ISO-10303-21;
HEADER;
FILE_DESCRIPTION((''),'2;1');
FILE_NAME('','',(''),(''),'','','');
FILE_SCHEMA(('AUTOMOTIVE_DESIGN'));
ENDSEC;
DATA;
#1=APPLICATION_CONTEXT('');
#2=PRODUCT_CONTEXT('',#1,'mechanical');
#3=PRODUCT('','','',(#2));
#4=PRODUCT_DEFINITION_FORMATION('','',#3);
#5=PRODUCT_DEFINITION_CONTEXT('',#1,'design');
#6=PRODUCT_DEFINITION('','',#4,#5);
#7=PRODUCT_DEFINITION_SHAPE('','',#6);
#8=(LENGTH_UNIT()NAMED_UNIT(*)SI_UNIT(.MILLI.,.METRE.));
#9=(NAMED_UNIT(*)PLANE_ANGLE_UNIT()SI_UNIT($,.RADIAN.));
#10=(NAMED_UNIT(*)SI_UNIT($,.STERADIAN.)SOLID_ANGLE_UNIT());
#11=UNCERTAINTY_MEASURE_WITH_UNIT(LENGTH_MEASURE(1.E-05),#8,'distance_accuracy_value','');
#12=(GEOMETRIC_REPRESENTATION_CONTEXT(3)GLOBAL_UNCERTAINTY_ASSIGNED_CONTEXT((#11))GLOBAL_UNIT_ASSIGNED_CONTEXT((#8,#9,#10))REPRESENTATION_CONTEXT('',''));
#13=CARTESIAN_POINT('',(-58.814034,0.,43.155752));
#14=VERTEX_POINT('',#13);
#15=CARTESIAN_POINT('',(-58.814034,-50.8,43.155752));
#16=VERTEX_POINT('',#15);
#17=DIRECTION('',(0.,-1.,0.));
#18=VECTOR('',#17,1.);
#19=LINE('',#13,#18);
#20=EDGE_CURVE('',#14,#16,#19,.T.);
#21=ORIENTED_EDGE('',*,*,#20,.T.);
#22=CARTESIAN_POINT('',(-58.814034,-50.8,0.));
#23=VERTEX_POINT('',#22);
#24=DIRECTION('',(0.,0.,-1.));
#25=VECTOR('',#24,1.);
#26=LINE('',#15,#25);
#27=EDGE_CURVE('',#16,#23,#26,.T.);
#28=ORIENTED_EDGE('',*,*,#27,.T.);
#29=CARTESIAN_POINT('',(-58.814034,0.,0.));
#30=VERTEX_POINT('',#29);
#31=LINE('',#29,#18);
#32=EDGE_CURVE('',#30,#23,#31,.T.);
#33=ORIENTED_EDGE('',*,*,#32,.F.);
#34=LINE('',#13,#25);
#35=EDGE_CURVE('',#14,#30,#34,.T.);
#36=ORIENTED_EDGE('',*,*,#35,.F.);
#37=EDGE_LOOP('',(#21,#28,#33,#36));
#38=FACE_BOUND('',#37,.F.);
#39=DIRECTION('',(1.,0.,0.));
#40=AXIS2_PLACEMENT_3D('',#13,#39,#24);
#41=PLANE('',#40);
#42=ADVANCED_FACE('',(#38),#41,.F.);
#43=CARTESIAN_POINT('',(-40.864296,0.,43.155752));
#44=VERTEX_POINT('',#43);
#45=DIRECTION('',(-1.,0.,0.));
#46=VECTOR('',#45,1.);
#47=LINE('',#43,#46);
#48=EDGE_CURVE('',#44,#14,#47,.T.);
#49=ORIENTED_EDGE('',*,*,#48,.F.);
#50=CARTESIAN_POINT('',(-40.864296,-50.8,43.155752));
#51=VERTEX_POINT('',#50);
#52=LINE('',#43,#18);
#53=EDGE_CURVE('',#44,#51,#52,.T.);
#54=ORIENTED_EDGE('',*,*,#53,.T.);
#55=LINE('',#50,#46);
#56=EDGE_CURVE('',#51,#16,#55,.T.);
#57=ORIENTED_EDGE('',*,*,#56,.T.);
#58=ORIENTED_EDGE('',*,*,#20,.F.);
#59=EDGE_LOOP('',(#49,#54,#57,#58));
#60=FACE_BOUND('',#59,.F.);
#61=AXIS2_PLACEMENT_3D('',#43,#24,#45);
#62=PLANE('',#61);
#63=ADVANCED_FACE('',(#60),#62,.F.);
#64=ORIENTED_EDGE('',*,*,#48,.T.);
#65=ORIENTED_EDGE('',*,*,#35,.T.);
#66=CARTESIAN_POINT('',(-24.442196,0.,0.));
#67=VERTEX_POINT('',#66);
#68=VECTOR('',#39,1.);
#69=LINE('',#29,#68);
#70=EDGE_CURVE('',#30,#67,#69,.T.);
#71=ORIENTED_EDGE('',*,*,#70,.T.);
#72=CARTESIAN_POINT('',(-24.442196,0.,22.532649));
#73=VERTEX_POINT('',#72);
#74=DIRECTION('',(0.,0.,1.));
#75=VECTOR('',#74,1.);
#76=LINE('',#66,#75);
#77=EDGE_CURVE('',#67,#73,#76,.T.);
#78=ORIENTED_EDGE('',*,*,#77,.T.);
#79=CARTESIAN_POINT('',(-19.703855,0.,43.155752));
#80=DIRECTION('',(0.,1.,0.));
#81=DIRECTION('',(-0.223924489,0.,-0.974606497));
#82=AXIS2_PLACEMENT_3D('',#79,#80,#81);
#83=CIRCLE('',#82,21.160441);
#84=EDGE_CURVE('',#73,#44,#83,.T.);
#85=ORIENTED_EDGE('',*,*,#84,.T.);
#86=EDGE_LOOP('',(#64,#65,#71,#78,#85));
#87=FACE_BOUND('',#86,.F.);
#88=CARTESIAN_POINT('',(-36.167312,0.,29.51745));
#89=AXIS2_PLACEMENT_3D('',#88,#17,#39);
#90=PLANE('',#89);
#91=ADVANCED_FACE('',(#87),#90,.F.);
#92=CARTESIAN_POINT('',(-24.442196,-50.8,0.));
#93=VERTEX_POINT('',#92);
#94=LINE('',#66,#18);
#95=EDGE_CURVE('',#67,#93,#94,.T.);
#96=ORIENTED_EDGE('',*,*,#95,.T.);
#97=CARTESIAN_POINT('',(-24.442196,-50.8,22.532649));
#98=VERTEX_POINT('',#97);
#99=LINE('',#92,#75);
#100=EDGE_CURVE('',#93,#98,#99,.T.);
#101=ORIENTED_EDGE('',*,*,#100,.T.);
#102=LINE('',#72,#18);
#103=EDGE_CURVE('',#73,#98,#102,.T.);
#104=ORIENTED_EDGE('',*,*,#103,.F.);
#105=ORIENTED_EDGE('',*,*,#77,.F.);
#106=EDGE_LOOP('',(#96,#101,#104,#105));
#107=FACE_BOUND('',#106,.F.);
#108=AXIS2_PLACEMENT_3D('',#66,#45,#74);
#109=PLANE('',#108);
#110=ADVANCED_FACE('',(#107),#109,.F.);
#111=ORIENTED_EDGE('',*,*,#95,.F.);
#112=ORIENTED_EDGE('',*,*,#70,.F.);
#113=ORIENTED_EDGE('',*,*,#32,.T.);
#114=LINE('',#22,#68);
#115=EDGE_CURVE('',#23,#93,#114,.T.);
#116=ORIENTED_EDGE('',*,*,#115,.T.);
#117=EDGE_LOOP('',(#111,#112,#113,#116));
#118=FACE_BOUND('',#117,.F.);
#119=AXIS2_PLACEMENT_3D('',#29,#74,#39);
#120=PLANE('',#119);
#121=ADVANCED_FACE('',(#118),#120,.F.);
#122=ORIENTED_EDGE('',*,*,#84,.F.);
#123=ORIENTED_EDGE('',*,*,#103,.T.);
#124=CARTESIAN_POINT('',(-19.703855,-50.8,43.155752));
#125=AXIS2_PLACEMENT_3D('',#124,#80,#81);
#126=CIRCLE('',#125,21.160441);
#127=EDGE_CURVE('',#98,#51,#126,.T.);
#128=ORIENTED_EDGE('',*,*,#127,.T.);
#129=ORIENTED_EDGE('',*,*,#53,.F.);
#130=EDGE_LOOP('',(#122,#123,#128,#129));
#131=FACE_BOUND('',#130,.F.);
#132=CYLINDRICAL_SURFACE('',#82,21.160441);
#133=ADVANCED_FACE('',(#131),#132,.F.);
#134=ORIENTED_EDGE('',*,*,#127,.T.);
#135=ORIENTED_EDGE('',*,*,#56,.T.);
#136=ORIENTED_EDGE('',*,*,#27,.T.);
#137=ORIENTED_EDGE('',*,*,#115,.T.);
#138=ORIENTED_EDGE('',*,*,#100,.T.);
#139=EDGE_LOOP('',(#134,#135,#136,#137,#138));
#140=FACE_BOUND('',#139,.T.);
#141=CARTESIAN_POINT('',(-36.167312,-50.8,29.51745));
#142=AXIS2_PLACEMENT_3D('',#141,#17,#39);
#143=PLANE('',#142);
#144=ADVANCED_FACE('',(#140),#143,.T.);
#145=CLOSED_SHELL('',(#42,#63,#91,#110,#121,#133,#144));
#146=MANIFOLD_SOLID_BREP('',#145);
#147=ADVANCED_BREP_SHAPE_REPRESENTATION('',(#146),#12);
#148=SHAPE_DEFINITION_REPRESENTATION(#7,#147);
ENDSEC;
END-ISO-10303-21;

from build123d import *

# Parameters (mm, degrees)
F1_DEPTH = 50.8


with BuildPart() as f1:
    # F0 (on Front) → F1 (new body)
    with BuildSketch(Plane.XZ):
        with BuildLine():
            ThreePointArc((-24.442196, 22.532649), (-36.257248, 29.974347), (-40.864296, 43.155752))
            Line((-40.864296, 43.155752), (-40.864296, 22.532649))
            Line((-40.864296, 22.532649), (-24.442196, 22.532649))
        make_face()
        Polygon((-40.864296, 43.155752), (-58.814034, 43.155752), (-58.814034, 0), (-24.442196, 0), (-24.442196, 22.532649), (-40.864296, 22.532649), align=None)
    extrude(amount=F1_DEPTH)


solid = f1.part
